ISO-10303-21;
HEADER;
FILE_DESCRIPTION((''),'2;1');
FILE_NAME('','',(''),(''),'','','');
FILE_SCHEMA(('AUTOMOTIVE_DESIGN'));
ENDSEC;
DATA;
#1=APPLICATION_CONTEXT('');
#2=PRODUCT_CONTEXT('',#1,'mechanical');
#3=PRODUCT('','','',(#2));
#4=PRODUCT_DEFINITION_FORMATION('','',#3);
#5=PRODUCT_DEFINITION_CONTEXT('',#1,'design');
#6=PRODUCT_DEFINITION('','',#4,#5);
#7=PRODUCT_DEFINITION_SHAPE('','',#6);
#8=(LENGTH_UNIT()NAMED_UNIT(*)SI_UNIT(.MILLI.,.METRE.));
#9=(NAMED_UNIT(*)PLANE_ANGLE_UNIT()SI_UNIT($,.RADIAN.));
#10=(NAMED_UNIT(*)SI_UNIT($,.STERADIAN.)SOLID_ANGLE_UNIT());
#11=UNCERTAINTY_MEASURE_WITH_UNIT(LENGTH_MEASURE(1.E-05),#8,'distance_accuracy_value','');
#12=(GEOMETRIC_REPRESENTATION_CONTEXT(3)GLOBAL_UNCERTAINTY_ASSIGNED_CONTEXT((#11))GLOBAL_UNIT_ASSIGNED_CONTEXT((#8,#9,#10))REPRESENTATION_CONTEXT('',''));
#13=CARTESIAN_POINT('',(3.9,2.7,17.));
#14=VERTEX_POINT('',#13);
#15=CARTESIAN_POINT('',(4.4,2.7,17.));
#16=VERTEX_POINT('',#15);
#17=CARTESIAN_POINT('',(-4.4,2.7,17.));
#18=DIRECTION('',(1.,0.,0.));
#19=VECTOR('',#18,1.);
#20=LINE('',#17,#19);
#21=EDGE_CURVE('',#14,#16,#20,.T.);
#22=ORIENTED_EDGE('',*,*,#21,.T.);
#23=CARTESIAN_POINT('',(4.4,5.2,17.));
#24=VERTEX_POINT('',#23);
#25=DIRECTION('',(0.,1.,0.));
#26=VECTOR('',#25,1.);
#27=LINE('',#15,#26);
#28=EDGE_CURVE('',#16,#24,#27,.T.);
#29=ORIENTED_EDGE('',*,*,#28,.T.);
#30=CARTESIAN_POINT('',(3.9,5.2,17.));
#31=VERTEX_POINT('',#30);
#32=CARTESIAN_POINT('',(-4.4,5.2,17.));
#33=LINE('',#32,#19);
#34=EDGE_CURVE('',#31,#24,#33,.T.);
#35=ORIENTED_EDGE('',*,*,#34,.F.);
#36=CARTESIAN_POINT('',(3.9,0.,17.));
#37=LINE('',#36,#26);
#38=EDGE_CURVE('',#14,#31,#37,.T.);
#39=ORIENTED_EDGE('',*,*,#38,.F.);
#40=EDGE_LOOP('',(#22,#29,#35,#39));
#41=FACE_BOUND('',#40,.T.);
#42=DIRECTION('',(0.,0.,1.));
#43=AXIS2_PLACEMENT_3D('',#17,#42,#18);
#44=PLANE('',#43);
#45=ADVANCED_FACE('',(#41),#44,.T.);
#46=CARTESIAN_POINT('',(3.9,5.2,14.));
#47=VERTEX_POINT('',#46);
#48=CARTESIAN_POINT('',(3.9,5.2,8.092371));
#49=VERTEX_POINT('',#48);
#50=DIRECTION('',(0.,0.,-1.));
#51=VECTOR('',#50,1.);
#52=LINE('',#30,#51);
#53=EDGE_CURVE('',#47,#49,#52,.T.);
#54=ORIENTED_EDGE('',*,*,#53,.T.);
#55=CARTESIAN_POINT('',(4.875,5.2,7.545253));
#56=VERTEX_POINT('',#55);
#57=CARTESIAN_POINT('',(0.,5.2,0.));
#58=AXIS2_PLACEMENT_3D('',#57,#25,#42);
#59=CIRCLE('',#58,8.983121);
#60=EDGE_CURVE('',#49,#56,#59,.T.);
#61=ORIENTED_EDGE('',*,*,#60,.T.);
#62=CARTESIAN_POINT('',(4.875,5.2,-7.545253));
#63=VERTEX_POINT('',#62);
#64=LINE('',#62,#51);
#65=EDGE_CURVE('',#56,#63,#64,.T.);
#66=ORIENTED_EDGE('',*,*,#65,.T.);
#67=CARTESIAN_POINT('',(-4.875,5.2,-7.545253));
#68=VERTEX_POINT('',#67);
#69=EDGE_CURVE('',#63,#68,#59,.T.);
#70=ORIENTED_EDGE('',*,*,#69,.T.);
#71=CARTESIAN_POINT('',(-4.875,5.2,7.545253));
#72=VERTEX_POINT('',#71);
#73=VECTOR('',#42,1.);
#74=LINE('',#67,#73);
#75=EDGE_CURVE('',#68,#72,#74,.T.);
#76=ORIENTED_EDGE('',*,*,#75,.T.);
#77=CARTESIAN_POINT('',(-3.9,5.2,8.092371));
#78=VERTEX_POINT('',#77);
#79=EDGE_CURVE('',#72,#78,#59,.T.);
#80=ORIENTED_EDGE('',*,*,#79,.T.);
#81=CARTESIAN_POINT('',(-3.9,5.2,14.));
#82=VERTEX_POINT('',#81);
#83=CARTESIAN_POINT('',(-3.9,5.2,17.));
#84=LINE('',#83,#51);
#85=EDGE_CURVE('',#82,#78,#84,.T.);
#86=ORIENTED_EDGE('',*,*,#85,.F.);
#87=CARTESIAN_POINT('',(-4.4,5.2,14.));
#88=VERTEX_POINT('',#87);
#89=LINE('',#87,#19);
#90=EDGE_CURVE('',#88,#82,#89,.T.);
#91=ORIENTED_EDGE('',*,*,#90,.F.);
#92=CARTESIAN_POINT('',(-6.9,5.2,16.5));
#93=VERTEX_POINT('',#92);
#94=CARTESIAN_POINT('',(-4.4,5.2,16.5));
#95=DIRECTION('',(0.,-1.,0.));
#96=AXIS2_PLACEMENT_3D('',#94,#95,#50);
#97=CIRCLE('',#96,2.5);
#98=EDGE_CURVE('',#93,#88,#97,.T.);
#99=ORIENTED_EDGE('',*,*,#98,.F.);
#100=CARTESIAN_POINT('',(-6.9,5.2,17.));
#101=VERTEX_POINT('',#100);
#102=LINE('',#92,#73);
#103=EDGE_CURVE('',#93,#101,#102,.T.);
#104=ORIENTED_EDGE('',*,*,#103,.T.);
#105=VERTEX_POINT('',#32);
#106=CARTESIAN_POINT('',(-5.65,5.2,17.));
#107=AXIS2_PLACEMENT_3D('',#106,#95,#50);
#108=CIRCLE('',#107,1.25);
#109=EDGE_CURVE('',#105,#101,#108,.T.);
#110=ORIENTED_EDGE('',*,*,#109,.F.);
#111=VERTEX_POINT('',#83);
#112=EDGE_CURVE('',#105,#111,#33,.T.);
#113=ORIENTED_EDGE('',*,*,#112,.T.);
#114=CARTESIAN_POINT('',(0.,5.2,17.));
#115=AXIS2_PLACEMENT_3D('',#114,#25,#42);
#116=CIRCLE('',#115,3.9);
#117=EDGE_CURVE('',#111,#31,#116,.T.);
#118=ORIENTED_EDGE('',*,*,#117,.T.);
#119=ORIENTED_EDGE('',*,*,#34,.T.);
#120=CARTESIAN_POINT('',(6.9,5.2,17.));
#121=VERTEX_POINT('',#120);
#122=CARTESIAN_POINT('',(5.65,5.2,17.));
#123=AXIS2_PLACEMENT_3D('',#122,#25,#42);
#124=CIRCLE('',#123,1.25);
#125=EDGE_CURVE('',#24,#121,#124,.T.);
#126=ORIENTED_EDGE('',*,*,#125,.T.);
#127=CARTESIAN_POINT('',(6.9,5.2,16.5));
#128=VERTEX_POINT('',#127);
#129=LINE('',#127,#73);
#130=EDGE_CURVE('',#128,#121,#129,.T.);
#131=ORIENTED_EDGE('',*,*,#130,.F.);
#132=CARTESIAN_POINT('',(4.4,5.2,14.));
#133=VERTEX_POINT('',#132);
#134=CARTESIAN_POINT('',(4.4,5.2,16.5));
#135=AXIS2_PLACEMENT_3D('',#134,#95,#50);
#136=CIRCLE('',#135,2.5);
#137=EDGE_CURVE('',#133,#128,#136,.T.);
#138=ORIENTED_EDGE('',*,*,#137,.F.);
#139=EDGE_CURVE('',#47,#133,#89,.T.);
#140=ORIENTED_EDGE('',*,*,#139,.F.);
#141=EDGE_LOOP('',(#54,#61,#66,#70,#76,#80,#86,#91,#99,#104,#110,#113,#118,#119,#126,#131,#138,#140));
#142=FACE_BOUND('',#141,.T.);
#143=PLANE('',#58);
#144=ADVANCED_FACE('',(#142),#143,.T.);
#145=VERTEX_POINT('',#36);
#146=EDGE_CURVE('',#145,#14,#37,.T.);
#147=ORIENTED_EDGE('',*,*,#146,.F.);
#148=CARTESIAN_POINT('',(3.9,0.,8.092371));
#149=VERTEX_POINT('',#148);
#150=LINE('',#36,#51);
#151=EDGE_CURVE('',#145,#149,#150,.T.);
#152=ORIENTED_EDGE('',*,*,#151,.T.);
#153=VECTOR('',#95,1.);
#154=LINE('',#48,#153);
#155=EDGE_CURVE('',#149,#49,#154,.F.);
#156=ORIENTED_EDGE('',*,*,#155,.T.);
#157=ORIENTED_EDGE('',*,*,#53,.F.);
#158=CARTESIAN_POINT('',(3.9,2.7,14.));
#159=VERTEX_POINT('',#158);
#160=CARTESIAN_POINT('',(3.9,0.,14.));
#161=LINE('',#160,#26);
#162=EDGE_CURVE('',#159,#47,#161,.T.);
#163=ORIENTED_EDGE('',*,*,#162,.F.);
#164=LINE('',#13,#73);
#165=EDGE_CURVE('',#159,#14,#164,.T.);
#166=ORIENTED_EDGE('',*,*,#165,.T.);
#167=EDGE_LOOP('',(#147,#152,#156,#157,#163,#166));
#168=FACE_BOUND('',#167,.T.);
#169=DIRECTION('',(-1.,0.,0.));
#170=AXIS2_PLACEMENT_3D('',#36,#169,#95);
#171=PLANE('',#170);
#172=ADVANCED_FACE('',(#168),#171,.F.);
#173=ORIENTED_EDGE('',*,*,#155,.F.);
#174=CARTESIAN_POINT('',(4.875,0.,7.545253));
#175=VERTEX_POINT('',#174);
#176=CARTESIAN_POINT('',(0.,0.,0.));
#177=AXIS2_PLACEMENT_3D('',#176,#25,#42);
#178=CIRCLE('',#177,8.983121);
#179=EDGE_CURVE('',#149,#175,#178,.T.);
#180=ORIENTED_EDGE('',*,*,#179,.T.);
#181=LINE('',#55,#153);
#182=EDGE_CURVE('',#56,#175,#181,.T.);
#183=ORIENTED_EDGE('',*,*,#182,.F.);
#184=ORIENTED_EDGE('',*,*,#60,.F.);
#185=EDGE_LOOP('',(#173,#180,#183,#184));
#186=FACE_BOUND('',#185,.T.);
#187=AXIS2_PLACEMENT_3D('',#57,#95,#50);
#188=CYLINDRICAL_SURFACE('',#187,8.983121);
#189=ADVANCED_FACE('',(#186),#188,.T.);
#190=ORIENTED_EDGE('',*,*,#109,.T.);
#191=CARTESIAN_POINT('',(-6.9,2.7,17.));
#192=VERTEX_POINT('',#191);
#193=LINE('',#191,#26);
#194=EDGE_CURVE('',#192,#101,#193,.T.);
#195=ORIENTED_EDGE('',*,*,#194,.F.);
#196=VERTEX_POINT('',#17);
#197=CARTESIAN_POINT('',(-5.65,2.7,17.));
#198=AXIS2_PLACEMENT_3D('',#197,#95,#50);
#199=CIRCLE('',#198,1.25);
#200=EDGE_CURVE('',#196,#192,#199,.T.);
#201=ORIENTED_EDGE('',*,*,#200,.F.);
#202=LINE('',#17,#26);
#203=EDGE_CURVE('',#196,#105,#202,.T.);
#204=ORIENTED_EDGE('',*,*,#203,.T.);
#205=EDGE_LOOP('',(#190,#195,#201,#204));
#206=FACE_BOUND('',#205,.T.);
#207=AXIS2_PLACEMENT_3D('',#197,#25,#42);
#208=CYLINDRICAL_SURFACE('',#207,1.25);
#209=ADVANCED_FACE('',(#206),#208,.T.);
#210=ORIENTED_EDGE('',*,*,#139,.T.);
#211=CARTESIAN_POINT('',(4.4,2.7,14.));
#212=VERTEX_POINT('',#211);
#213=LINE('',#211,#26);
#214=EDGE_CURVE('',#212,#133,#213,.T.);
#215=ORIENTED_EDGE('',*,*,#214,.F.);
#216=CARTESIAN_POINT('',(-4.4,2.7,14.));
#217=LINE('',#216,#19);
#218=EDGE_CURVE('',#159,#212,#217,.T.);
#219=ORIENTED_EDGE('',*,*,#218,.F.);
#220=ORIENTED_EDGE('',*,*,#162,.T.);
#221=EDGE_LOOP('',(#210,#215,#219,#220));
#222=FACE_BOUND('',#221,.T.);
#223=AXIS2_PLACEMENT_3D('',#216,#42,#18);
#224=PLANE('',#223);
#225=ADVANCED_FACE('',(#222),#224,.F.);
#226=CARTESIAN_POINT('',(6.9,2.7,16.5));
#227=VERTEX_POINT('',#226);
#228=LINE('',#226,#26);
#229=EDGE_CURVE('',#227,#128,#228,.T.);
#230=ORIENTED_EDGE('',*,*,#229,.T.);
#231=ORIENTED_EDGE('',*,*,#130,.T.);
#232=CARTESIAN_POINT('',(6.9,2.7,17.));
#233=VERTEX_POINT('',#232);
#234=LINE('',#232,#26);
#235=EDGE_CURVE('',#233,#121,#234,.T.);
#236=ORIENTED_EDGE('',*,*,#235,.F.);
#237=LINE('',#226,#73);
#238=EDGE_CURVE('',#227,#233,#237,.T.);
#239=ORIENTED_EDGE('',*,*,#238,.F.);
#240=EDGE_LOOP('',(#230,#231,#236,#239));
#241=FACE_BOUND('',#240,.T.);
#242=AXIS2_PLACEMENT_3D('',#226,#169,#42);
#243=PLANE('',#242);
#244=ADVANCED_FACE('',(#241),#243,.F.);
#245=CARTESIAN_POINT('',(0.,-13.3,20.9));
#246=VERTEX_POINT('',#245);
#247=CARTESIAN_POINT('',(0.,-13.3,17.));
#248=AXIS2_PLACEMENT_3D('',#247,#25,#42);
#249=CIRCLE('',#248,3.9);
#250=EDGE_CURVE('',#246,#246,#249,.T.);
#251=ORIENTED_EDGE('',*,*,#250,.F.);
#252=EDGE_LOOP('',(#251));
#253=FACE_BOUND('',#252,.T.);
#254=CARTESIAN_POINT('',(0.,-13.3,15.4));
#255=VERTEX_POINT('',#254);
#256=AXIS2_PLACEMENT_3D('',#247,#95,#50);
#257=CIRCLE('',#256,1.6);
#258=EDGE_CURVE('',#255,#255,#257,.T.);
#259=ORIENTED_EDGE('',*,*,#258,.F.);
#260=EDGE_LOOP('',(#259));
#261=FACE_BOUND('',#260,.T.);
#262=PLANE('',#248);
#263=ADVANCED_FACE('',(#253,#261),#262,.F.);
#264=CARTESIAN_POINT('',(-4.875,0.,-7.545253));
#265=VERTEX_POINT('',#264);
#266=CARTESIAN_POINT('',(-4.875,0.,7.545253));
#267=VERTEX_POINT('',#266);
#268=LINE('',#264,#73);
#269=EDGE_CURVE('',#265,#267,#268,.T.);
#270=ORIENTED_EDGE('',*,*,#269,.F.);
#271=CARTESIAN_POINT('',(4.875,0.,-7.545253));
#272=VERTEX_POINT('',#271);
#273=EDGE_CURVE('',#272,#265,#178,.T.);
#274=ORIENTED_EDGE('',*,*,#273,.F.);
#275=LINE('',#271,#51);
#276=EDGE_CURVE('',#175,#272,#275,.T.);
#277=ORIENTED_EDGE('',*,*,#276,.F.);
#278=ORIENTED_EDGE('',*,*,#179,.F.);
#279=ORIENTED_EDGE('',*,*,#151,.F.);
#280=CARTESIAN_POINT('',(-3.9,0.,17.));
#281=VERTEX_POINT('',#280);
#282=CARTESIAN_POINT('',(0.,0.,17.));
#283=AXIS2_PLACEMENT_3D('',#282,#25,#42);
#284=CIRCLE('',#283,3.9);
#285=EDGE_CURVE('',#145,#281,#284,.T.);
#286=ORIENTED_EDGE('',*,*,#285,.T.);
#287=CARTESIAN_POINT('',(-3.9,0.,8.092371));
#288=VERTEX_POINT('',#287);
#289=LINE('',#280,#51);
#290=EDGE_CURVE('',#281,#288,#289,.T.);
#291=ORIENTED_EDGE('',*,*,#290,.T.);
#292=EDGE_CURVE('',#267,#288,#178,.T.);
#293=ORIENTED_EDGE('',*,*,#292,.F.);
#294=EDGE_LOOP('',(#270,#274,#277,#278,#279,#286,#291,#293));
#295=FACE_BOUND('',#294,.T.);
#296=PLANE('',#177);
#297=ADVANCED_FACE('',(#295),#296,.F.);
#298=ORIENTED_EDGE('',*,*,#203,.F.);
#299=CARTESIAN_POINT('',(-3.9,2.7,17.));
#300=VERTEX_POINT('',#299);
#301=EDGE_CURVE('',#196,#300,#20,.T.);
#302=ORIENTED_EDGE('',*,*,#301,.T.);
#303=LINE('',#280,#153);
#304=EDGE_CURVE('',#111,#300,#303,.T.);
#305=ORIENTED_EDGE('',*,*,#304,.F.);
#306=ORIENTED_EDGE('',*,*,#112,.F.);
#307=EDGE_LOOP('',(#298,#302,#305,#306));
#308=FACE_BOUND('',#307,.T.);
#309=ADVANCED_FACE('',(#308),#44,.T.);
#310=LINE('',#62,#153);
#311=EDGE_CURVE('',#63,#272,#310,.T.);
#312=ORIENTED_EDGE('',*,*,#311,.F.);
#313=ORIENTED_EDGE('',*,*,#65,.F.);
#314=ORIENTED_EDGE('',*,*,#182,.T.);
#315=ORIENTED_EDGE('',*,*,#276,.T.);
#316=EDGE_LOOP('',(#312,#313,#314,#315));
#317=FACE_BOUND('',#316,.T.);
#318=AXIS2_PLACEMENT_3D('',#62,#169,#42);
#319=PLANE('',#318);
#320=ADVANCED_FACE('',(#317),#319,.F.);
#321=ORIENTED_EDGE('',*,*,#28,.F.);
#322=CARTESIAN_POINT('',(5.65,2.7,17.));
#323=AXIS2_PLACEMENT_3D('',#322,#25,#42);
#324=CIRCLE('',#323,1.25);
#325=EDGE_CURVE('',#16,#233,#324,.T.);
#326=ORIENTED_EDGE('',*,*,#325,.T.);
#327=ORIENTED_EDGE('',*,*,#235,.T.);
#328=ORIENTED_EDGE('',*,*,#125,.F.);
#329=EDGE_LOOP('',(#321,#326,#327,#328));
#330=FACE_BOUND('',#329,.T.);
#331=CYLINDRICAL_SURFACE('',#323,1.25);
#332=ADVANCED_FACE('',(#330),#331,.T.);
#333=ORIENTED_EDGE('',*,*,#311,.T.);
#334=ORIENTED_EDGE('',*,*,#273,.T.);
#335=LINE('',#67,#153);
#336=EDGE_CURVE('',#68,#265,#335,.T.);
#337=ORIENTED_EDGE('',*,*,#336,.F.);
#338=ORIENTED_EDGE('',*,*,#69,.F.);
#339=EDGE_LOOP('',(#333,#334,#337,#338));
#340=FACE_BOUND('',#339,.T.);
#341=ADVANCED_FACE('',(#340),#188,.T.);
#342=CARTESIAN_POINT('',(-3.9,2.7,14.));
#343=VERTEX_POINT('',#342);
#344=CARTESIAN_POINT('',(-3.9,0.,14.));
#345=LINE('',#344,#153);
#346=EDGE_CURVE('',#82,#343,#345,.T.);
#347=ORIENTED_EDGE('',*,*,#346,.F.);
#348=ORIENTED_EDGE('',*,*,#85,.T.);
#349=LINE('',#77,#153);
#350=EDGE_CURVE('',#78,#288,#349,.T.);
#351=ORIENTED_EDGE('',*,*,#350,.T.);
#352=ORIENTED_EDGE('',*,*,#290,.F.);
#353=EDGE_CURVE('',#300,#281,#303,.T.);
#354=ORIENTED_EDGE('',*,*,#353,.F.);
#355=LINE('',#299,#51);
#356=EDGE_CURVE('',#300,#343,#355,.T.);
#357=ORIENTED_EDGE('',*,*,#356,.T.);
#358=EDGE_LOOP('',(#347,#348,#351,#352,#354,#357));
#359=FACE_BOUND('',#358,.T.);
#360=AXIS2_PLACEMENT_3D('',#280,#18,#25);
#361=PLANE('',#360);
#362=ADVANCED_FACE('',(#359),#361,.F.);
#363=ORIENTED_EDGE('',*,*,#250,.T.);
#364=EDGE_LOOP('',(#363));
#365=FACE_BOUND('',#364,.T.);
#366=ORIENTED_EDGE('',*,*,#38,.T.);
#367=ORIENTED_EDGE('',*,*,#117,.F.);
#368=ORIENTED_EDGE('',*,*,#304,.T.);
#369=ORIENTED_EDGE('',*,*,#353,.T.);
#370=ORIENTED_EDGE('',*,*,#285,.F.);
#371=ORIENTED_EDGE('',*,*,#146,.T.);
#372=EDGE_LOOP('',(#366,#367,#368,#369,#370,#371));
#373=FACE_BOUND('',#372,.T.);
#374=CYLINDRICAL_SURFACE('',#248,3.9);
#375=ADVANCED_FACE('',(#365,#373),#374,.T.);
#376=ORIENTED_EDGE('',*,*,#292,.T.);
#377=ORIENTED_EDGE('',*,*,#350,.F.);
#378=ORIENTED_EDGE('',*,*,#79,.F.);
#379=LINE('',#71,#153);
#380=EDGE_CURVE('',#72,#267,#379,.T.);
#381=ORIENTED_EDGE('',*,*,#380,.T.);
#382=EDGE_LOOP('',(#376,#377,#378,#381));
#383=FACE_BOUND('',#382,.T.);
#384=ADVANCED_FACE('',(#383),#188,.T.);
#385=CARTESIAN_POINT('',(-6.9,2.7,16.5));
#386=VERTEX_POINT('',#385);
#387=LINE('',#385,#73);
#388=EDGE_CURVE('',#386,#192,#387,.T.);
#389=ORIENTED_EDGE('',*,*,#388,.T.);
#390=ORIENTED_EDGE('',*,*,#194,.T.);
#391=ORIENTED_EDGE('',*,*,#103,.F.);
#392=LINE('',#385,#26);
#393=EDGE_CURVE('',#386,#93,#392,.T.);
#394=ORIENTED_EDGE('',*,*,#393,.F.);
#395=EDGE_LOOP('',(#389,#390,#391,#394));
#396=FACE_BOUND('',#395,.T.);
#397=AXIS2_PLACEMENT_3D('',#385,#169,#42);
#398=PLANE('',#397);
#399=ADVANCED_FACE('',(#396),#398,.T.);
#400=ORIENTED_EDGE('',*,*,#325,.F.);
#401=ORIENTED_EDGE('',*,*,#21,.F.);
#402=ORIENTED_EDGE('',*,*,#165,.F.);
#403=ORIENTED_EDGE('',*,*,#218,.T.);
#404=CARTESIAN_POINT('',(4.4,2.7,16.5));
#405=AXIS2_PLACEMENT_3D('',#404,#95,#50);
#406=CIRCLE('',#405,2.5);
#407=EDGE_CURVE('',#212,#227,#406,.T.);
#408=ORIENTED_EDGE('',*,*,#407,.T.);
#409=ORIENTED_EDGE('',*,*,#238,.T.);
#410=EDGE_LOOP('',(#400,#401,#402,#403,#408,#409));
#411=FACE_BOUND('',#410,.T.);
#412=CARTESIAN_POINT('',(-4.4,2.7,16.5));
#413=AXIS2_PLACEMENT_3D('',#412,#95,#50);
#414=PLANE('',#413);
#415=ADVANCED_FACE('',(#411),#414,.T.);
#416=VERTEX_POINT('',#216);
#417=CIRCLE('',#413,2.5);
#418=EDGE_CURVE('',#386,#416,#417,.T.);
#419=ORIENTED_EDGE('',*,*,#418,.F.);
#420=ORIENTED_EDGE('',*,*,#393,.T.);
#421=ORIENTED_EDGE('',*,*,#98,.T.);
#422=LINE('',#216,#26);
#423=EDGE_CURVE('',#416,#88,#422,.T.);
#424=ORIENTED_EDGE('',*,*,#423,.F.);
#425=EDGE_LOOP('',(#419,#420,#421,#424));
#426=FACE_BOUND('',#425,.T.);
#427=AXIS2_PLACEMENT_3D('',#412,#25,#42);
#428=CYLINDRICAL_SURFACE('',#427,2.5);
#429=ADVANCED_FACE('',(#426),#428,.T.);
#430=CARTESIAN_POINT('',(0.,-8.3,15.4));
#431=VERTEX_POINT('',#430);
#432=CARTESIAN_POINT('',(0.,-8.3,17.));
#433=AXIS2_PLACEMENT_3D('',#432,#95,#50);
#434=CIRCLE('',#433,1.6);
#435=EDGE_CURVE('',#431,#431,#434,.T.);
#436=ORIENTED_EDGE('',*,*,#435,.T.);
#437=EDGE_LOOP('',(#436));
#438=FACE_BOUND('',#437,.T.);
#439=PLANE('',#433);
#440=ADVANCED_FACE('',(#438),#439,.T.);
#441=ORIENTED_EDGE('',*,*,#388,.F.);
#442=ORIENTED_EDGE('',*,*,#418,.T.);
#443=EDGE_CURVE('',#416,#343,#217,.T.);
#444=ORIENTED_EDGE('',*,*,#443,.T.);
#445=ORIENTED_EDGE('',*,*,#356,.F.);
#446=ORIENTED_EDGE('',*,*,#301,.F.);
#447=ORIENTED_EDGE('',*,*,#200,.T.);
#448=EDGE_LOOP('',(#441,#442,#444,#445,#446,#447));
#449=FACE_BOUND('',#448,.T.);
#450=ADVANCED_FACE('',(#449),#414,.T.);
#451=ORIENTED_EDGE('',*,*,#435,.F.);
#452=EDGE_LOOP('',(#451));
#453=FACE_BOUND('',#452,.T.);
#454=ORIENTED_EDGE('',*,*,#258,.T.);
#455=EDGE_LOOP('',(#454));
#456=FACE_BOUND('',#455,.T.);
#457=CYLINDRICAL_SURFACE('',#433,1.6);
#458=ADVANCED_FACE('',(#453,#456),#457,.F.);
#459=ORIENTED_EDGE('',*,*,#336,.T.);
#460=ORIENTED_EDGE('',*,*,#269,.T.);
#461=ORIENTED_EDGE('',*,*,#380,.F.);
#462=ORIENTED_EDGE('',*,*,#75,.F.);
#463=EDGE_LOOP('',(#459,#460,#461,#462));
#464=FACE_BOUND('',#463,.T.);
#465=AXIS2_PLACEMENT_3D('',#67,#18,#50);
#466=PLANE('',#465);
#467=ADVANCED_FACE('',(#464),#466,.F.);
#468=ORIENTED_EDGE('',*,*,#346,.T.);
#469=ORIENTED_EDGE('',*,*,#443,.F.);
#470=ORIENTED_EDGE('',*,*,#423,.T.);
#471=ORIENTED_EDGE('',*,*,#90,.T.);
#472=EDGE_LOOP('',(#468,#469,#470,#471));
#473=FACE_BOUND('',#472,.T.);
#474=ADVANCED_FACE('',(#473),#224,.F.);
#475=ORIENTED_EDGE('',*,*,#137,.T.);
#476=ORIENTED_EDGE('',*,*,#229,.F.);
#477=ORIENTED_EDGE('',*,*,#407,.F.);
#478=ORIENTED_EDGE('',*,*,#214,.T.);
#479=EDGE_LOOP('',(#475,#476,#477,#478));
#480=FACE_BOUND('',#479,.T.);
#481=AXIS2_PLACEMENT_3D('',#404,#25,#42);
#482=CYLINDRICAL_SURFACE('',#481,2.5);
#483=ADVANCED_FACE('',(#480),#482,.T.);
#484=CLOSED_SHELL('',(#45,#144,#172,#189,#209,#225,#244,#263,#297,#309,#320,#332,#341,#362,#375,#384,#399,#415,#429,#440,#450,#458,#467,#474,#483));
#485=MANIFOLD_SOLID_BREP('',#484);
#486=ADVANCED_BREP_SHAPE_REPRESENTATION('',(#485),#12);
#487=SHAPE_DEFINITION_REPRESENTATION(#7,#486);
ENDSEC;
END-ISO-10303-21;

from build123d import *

# Parameters (mm, degrees)
BOSS_EXTRUDE1_DEPTH = 5.2
SKETCH5_W           = 7.8
SKETCH5_H           = 5.2
BOSS_EXTRUDE2_DEPTH = 17
SKETCH6_R           = 3.9
BOSS_EXTRUDE3_DEPTH = 18.5
BOSS_EXTRUDE4_DEPTH = 2.5
SKETCH8_R           = 1.6
CUT_EXTRUDE1_DEPTH  = 5


with BuildPart() as part:
    # Sketch3 → Boss-Extrude1 (new body)
    with BuildSketch(Plane(origin=(0, 0, 0), x_dir=(1, 0, 0), z_dir=(0, 1, 0))):
        with BuildLine():
            Line((-4.875, 7.545253061), (-4.875, -7.545253061))
            ThreePointArc((-4.875, -7.545253061), (0, -8.983121325), (4.875, -7.545253061))
            Line((4.875, -7.545253061), (4.875, 7.545253061))
            ThreePointArc((4.875, 7.545253061), (0, 8.983121325), (-4.875, 7.545253061))
        make_face()
    extrude(amount=BOSS_EXTRUDE1_DEPTH)

    # Sketch5 → Boss-Extrude2 (add)
    with BuildSketch(Plane.XY):
        with Locations((0, 2.6)):
            Rectangle(SKETCH5_W, SKETCH5_H)
    extrude(amount=BOSS_EXTRUDE2_DEPTH)

    # Sketch6 → Boss-Extrude3 (add)
    with BuildSketch(Plane(origin=(0, 5.2, 0), x_dir=(1, 0, 0), z_dir=(0, 1, 0))):
        with Locations(Location((0, -17, 0), (0, 0, 270))):
            Circle(SKETCH6_R)
    extrude(amount=-BOSS_EXTRUDE3_DEPTH)

    # Sketch7 → Boss-Extrude4 (add)
    with BuildSketch(Plane(origin=(0, 5.2, 0), x_dir=(1, 0, 0), z_dir=(0, 1, 0))):
        with BuildLine():
            Line((-4.4, -14), (4.4, -14))
            ThreePointArc((4.4, -14), (6.167766953, -14.732233047), (6.9, -16.5))
            Line((6.9, -16.5), (6.9, -17))
            ThreePointArc((6.9, -17), (5.65, -18.25), (4.4, -17))
            Line((4.4, -17), (-4.4, -17))
            ThreePointArc((-4.4, -17), (-5.65, -18.25), (-6.9, -17))
            Line((-6.9, -17), (-6.9, -16.5))
            ThreePointArc((-6.9, -16.5), (-6.167766953, -14.732233047), (-4.4, -14))
        make_face()
    extrude(amount=-BOSS_EXTRUDE4_DEPTH)

    # Sketch8 → Cut-Extrude1 (cut)
    with BuildSketch(Plane.XZ.offset(13.3)):
        with Locations(Location((0, 17, 0), (0, 0, 270))):
            Circle(SKETCH8_R)
    extrude(amount=-CUT_EXTRUDE1_DEPTH, mode=Mode.SUBTRACT)


solid = part.part
